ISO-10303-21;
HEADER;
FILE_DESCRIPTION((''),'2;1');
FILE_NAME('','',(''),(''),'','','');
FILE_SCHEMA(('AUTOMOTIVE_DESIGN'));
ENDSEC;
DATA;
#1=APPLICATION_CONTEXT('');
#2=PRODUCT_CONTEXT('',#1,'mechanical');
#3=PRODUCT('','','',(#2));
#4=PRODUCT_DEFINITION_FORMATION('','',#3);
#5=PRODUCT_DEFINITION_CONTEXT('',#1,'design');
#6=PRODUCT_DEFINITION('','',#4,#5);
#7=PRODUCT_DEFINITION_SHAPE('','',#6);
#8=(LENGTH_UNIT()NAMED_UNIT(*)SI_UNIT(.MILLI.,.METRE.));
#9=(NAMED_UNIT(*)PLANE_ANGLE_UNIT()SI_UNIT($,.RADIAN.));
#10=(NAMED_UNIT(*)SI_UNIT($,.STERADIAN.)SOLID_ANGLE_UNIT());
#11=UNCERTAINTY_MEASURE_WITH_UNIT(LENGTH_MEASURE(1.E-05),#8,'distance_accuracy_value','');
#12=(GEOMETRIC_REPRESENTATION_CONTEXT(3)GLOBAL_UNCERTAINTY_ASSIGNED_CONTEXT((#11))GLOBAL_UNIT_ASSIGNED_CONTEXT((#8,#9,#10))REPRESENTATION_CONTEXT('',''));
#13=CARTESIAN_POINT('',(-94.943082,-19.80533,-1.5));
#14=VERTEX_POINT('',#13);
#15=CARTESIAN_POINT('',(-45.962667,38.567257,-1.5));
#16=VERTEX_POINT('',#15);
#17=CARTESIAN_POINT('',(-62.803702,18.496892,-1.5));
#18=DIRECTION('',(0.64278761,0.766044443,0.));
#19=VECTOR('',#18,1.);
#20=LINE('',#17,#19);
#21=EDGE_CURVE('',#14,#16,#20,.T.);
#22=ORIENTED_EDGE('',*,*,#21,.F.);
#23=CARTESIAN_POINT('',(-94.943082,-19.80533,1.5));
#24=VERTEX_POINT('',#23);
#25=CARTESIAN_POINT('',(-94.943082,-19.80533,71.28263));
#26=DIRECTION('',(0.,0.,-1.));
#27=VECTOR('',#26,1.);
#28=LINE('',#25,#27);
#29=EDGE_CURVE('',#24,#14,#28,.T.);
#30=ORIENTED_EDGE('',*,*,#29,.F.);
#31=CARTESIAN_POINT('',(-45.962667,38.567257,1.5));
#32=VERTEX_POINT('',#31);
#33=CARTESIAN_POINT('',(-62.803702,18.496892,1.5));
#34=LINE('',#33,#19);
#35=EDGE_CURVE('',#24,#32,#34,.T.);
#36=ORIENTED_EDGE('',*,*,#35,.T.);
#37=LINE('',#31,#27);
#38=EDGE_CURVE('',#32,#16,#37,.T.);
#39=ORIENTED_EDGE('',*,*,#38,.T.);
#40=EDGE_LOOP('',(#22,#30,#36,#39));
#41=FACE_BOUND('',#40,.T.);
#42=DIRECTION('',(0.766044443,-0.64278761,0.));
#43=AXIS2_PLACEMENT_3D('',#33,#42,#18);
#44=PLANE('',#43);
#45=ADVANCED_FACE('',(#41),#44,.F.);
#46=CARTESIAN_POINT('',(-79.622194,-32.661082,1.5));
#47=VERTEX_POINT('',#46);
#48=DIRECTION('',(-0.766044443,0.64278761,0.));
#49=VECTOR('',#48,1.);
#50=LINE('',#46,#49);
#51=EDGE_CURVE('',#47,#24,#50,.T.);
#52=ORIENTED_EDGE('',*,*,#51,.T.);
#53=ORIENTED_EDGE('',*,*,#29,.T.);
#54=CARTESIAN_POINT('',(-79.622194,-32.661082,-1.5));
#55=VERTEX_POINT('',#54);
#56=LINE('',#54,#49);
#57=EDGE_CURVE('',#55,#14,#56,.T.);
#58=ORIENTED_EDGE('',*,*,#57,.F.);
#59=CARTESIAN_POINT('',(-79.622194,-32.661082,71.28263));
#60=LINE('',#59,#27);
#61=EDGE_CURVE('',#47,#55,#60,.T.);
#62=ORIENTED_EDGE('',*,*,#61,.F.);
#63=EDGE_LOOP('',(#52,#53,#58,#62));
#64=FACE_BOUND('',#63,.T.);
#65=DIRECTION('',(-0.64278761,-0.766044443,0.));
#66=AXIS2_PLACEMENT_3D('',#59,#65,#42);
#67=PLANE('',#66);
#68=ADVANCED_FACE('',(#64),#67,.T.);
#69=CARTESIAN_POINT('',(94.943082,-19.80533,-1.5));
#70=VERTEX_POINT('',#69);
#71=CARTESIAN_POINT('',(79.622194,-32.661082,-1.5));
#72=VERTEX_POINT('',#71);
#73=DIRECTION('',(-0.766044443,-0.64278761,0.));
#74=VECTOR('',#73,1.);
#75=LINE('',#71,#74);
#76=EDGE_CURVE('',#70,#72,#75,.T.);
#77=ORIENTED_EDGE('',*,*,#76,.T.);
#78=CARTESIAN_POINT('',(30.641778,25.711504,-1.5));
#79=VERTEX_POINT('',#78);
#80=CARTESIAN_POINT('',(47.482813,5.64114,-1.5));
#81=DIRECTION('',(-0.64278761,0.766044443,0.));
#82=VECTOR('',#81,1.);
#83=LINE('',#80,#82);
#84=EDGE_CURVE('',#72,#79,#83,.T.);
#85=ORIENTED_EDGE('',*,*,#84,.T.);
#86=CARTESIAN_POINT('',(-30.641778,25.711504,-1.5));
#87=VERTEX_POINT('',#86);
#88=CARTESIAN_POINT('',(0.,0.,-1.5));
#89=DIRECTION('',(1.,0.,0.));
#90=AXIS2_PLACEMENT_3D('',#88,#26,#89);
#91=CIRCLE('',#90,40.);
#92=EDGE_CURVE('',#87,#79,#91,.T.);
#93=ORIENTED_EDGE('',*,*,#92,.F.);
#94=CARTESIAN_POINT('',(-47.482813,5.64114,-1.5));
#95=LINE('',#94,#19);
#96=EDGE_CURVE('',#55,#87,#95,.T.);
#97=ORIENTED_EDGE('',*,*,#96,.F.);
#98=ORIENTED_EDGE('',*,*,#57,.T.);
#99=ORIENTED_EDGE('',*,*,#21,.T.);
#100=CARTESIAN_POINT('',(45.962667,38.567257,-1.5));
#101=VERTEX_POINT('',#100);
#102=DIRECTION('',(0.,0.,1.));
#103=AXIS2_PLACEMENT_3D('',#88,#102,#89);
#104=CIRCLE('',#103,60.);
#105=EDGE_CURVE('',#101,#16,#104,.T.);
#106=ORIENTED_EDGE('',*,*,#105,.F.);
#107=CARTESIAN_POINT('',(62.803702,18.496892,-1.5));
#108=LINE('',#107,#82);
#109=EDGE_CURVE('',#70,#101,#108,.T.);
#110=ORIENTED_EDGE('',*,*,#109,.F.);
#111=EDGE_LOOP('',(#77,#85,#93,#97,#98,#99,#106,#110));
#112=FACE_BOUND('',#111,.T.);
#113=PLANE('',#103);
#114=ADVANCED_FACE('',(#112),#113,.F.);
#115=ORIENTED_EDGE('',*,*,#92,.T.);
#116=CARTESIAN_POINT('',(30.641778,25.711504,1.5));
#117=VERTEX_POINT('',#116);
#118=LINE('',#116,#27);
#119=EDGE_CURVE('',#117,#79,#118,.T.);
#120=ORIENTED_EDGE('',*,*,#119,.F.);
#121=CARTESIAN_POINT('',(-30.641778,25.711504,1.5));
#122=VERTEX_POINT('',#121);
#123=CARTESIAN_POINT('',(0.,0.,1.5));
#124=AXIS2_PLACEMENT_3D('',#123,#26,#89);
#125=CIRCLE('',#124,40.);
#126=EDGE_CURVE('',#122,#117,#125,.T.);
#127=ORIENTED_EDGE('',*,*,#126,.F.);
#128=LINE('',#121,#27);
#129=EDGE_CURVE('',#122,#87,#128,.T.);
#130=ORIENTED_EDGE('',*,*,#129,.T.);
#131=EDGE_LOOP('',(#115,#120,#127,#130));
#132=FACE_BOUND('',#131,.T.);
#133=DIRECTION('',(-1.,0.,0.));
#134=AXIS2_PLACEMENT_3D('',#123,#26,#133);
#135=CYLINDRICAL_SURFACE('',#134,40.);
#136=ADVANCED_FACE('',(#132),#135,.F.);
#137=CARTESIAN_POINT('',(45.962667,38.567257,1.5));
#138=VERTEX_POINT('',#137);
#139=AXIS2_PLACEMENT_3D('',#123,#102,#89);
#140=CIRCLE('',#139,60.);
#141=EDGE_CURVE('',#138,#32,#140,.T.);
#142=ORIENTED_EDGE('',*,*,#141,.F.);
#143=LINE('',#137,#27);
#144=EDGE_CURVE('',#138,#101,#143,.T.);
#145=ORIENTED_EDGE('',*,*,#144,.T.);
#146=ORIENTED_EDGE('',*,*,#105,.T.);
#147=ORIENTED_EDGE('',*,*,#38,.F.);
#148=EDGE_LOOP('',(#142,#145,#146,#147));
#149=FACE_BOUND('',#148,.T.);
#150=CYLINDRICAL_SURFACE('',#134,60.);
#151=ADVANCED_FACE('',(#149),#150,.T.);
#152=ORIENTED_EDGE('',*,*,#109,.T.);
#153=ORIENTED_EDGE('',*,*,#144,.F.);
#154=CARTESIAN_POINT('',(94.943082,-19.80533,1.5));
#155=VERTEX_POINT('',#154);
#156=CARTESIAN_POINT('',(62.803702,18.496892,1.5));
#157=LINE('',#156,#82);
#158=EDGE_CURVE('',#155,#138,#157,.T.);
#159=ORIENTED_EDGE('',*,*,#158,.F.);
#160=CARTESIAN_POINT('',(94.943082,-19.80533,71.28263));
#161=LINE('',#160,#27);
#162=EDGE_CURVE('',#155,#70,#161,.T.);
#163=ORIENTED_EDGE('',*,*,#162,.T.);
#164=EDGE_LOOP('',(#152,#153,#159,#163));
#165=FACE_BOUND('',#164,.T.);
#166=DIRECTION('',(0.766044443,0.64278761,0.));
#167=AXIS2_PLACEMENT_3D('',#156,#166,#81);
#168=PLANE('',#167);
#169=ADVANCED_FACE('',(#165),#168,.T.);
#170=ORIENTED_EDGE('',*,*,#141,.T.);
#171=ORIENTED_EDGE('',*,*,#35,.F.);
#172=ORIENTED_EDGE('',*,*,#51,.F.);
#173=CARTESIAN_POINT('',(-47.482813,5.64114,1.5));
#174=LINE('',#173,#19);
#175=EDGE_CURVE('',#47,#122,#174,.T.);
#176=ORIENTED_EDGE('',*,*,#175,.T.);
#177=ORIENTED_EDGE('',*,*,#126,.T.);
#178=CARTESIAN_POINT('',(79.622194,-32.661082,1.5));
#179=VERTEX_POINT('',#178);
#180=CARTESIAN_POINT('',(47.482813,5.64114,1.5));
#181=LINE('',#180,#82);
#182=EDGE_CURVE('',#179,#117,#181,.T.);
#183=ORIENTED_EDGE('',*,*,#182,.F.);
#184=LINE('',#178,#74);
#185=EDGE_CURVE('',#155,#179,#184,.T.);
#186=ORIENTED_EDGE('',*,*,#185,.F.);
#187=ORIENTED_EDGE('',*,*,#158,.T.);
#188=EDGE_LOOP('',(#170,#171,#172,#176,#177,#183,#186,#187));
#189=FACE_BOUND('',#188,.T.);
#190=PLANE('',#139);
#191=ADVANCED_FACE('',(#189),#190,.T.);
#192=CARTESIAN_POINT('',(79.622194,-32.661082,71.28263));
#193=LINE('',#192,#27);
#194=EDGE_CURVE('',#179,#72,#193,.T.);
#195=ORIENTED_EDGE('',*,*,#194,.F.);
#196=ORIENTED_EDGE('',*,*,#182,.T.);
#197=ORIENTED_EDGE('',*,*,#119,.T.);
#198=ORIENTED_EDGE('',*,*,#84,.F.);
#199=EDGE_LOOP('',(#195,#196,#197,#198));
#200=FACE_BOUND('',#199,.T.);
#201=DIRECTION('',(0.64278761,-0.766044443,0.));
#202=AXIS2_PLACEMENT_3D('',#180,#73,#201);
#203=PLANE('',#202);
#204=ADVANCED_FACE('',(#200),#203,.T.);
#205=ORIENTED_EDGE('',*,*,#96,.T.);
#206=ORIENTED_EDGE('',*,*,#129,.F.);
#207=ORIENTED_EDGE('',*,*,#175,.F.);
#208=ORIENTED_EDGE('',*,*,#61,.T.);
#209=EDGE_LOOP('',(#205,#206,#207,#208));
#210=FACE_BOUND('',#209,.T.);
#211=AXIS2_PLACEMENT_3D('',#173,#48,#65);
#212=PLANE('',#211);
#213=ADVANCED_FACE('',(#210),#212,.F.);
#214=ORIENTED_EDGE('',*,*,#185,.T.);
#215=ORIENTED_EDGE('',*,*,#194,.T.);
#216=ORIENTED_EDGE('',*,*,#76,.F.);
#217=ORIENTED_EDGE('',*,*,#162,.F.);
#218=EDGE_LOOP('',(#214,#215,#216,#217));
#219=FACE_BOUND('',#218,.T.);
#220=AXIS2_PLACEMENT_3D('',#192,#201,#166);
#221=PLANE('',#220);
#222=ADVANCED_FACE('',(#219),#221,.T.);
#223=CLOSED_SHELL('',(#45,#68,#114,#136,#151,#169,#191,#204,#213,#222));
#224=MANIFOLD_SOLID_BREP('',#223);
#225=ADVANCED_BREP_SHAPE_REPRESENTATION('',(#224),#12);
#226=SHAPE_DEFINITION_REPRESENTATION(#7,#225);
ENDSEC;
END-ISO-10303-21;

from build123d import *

# Parameters (mm, degrees)
BOSS_EXTRUDE1_DEPTH = 1.5
SKETCH2_W           = 3
SKETCH2_H           = 20
BOSS_EXTRUDE2_DEPTH = 26.2
BOSS_EXTRUDE3_DEPTH = 3


with BuildPart() as part:
    # Sketch1 → Boss-Extrude1 (new, symmetric)
    with BuildSketch(Plane.XY):
        with BuildLine():
            Line((45.962666587, 38.567256581), (30.641777725, 25.711504387))
            ThreePointArc((30.641777725, 25.711504387), (0, 40), (-30.641777725, 25.711504387))
            Line((-30.641777725, 25.711504387), (-45.962666587, 38.567256581))
            ThreePointArc((-45.962666587, 38.567256581), (0, 60), (45.962666587, 38.567256581))
        make_face()
    extrude(amount=BOSS_EXTRUDE1_DEPTH, both=True)

    # Sketch2 → Boss-Extrude2 (add)
    with BuildSketch(Plane(origin=(0, 0, 0), x_dir=(0, 0, 1), z_dir=(-0.6427876096865376, -0.7660444431189795, 0))):
        with Locations((0, 50)):
            Rectangle(SKETCH2_W, SKETCH2_H)
    boss_extrude2 = extrude(amount=BOSS_EXTRUDE2_DEPTH)

    # Mirror1: Boss-Extrude2 across plane
    add(boss_extrude2.mirror(Plane.ZY))

    # Sketch3 → Boss-Extrude3 (add)
    with BuildSketch(Plane(origin=(0, 0, -1.5), x_dir=(-1, 0, 0), z_dir=(0, 0, -1))):
        Polygon((47.482813099, 5.641139978), (62.803701961, 18.496892171), (94.943082445, -19.805329984), (79.622193583, -32.661082178), align=None)
        Polygon((-79.622193583, -32.661082178), (-94.943082445, -19.805329984), (-62.803701961, 18.496892171), (-47.482813099, 5.641139978), align=None)
    extrude(amount=-BOSS_EXTRUDE3_DEPTH)


solid = part.part
